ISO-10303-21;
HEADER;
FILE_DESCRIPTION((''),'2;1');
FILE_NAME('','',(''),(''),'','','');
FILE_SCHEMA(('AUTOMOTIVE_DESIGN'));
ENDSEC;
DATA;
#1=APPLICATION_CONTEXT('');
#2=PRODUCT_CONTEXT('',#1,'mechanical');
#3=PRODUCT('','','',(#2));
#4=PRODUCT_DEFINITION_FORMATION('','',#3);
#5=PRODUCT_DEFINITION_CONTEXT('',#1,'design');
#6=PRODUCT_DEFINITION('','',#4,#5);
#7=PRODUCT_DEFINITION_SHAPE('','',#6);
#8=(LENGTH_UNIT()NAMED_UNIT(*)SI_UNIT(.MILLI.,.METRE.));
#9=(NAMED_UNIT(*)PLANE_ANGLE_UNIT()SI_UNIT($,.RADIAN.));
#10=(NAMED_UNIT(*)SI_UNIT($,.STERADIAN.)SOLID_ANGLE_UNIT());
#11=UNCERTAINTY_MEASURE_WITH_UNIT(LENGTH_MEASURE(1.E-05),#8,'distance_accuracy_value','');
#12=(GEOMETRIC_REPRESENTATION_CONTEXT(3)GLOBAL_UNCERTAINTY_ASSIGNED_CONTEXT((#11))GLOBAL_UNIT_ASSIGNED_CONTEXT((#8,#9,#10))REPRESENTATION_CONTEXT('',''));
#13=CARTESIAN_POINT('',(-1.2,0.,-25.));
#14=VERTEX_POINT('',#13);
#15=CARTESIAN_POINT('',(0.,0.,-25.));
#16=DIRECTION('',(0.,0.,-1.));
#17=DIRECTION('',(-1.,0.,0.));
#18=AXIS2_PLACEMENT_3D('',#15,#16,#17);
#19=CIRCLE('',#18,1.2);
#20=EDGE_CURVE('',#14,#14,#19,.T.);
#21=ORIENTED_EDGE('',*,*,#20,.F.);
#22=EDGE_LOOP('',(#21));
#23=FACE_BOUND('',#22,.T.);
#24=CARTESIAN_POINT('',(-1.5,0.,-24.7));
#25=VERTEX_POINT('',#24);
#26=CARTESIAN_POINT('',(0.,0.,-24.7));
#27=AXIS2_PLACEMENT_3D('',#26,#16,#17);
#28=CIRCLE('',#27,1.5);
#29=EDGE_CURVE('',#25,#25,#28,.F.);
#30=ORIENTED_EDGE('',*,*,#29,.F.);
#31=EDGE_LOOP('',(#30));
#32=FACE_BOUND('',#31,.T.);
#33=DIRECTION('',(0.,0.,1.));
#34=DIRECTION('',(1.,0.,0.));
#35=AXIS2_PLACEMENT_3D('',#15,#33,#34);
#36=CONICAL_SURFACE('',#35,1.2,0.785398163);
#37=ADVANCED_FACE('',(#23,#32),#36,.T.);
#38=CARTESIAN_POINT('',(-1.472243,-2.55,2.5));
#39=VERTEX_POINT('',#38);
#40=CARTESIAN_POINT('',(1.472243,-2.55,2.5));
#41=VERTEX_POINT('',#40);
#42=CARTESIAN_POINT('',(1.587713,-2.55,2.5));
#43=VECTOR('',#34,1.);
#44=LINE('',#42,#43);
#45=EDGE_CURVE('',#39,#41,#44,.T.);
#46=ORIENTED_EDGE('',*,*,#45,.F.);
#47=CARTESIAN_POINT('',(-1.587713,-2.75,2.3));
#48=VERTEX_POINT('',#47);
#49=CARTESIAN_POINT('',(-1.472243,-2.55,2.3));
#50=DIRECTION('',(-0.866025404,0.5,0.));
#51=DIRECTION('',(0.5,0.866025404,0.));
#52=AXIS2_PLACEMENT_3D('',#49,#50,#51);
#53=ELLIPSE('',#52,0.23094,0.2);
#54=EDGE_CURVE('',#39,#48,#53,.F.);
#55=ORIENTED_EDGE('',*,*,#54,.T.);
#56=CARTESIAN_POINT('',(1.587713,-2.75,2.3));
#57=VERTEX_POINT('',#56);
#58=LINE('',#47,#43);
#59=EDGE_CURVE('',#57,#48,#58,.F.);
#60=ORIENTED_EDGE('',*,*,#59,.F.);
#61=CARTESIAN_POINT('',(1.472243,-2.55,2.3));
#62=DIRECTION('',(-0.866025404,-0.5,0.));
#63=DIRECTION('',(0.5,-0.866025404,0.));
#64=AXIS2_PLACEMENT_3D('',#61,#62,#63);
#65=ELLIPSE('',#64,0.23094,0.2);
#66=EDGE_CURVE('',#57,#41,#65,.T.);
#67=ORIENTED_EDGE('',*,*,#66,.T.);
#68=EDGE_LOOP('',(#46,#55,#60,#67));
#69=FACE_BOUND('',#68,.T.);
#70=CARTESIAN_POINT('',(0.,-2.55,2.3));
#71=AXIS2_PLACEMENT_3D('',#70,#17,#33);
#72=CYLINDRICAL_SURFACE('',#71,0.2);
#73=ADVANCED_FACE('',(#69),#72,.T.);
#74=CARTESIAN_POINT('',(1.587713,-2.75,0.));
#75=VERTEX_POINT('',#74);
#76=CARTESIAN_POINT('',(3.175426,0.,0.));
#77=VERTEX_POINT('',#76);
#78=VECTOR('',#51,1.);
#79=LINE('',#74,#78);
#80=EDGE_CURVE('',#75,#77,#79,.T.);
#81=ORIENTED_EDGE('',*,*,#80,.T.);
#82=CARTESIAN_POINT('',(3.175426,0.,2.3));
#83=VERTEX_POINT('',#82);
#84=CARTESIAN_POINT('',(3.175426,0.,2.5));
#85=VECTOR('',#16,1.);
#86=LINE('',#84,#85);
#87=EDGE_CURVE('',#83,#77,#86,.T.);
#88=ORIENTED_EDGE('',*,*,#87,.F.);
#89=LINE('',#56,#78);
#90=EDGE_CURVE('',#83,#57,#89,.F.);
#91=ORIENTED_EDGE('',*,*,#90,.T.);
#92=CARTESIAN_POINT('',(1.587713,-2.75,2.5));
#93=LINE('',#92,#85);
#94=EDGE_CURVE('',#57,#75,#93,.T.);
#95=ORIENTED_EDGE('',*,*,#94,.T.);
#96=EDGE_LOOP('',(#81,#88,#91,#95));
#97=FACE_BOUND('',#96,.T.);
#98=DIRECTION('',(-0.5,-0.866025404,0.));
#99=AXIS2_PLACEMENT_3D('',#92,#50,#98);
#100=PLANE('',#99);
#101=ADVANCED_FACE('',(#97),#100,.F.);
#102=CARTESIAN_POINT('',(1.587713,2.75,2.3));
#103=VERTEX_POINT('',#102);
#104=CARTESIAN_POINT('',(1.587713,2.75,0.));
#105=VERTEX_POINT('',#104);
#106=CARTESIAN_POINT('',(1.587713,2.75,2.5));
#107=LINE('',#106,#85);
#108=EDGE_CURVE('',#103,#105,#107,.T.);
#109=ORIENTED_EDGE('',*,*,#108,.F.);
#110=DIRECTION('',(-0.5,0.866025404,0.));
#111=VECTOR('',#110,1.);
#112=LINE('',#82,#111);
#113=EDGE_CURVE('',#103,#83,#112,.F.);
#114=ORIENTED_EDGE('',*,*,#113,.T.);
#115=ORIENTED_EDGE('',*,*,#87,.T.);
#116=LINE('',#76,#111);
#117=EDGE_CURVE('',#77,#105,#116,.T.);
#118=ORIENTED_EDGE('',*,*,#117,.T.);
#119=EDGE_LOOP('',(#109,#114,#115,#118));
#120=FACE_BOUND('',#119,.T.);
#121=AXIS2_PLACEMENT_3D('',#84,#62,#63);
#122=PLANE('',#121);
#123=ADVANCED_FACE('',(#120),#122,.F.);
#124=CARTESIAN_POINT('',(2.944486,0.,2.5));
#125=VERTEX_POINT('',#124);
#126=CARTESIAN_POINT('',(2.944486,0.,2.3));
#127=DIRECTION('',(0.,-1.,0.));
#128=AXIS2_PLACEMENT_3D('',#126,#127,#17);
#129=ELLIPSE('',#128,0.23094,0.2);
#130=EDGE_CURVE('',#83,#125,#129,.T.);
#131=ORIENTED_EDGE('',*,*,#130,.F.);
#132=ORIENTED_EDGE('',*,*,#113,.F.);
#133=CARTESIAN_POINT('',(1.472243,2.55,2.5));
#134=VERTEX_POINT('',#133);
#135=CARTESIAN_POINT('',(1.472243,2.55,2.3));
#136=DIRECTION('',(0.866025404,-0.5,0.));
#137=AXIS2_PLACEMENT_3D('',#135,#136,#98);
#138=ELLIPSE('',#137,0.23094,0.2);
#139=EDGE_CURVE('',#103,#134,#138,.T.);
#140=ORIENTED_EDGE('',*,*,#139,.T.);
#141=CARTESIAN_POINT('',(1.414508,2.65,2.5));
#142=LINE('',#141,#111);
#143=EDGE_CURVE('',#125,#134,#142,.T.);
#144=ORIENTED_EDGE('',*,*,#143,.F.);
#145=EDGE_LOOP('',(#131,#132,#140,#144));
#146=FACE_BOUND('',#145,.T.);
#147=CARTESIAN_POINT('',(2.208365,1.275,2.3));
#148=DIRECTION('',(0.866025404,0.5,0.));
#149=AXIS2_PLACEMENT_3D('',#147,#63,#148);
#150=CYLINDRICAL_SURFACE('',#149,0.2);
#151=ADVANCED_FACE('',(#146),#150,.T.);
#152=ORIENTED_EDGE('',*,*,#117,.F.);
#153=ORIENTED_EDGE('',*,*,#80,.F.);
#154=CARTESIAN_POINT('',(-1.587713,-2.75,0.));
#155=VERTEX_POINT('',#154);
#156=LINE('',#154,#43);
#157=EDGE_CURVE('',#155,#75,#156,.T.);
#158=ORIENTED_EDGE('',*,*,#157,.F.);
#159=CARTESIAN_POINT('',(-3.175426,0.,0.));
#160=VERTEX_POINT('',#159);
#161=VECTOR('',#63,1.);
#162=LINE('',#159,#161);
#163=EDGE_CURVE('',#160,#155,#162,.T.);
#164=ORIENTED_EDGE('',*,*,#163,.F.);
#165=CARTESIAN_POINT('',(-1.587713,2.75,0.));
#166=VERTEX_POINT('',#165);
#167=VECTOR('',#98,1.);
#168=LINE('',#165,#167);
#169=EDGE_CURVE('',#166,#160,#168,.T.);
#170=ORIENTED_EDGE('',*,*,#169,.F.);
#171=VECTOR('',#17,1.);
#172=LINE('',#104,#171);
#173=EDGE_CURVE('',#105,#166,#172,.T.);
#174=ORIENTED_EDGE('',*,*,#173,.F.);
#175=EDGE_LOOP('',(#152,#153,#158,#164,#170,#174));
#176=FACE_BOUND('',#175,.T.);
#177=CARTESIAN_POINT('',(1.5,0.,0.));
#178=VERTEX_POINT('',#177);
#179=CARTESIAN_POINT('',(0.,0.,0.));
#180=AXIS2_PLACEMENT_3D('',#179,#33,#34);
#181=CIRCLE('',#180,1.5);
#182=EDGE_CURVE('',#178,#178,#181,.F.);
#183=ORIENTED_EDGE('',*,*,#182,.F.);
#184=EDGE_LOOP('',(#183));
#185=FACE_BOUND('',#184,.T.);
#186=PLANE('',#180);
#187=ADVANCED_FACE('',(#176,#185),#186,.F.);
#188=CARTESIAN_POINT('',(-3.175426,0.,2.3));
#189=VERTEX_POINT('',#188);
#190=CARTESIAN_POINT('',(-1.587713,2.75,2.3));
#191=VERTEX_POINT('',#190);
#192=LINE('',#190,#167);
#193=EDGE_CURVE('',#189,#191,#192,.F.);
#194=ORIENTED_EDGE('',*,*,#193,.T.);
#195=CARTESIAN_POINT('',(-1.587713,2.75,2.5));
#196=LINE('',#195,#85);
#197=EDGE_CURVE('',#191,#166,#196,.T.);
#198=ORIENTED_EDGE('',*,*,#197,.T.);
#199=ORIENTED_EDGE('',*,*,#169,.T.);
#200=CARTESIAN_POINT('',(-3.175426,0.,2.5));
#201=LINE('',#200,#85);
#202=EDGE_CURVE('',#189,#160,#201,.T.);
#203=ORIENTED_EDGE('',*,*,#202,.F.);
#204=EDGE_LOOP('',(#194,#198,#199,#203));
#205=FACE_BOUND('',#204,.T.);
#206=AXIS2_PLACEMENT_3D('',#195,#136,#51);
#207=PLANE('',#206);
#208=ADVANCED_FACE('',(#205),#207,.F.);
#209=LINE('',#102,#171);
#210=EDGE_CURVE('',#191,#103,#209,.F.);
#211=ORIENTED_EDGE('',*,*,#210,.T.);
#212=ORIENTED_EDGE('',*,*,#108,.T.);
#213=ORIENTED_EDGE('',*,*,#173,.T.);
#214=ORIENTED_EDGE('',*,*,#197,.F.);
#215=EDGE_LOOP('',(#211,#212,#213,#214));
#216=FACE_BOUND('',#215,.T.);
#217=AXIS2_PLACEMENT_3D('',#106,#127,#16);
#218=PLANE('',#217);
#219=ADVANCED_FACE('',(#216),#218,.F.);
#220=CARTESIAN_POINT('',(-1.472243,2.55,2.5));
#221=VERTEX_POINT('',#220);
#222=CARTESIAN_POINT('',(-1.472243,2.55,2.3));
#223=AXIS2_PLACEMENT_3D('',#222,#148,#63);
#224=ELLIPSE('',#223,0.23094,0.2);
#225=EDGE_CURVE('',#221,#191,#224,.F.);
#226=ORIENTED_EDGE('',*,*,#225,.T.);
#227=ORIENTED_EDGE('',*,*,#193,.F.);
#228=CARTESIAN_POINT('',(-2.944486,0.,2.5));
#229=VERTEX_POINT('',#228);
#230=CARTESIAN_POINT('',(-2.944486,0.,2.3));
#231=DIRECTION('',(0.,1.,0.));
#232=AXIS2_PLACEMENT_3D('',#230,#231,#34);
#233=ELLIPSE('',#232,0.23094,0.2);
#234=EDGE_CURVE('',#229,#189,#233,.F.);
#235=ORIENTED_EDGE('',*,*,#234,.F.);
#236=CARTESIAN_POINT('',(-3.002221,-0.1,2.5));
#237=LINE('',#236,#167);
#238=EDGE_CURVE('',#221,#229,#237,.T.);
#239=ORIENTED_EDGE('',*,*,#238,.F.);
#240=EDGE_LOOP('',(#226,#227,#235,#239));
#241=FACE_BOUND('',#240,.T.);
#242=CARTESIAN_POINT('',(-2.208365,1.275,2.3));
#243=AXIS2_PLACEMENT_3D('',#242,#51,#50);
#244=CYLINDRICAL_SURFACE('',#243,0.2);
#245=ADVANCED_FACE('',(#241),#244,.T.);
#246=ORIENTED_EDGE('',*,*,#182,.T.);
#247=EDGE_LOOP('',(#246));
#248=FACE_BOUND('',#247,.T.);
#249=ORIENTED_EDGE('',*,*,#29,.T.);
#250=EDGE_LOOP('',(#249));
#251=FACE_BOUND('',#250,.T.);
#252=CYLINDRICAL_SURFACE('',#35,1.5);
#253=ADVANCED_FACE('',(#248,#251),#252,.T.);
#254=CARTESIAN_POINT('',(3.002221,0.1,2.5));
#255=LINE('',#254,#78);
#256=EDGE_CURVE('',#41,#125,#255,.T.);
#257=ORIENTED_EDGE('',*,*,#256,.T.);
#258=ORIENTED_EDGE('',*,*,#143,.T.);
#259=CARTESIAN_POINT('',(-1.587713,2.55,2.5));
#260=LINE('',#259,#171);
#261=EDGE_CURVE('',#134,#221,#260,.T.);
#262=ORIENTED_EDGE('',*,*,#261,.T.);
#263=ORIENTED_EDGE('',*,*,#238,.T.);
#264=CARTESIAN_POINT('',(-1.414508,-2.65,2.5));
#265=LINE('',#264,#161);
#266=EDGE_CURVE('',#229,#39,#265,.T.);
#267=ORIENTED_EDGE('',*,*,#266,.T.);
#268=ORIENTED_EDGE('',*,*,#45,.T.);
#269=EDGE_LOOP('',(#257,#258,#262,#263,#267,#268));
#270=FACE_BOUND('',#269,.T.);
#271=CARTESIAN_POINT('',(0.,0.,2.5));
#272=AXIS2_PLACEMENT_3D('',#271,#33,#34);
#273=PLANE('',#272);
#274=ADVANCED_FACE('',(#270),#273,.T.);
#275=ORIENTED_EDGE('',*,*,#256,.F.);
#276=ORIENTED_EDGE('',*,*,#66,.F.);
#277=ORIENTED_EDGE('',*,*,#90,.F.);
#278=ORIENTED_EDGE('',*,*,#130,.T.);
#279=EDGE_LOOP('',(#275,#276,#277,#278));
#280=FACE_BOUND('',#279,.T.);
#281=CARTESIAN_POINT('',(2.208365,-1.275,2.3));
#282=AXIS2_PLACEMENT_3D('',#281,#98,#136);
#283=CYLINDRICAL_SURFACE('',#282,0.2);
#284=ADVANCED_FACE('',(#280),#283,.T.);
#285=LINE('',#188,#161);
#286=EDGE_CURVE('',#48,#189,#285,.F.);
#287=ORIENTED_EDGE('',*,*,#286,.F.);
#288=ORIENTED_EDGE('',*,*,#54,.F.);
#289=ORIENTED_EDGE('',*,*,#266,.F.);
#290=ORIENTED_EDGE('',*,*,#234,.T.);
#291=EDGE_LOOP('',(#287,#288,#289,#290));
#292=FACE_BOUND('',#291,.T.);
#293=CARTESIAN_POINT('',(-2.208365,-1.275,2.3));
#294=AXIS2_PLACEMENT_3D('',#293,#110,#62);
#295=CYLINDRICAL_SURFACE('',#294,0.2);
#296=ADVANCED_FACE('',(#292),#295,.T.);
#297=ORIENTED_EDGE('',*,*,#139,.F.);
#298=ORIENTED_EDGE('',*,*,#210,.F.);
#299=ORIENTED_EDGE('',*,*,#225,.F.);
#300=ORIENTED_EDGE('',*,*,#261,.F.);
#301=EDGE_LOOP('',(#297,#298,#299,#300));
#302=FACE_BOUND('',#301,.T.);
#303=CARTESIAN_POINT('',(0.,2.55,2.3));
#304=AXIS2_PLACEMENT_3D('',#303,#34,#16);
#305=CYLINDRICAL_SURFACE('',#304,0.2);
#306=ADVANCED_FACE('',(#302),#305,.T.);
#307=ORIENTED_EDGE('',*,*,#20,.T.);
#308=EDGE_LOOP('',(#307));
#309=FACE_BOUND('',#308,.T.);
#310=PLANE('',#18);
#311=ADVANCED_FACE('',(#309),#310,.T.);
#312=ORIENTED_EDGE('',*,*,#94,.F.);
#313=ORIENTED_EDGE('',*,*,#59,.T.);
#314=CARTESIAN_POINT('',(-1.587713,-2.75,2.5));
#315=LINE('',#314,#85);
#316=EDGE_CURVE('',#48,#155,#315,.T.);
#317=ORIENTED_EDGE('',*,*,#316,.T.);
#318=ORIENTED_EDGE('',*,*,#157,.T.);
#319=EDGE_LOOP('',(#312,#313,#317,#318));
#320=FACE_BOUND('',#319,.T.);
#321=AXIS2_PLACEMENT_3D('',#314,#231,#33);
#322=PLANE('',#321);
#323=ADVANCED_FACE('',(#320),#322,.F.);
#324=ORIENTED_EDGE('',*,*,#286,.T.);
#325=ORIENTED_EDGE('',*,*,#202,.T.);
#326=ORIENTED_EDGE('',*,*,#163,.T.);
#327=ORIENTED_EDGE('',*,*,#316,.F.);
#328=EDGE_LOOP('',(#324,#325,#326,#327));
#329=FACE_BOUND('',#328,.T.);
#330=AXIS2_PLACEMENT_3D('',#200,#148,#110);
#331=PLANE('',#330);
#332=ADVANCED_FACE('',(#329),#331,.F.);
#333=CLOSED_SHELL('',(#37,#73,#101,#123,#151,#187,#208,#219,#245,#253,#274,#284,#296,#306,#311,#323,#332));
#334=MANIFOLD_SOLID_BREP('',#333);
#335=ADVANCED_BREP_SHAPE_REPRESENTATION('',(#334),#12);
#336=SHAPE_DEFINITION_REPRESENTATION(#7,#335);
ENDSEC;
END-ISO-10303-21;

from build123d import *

# Parameters (mm, degrees)
BOSS_EXTRUDE1_DEPTH = 2.5
SKETCH2_R           = 1.5
BOSS_EXTRUDE2_DEPTH = 25
CHAMFER1_SIZE       = 0.3
FILLET1_R           = 0.2


with BuildPart() as part:
    # Sketch1 → Boss-Extrude1 (new body)
    with BuildSketch(Plane.XY):
        Polygon((3.175426481, 0), (1.58771324, 2.75), (-1.58771324, 2.75), (-3.175426481, 0), (-1.58771324, -2.75), (1.58771324, -2.75), align=None)
    extrude(amount=BOSS_EXTRUDE1_DEPTH)

    # Sketch2 → Boss-Extrude2 (add)
    with BuildSketch(Plane(origin=(0, 0, 0), x_dir=(-1, 0, 0), z_dir=(0, 0, -1))):
        Circle(SKETCH2_R)
    extrude(amount=BOSS_EXTRUDE2_DEPTH)

    # Chamfer1
    chamfer1_edges = [part.edges().sort_by_distance(p)[0] for p in [
        (1.5, 0, -25),
    ]]
    chamfer(chamfer1_edges, length=CHAMFER1_SIZE)

    # Fillet1
    fillet1_edges = [part.edges().sort_by_distance(p)[0] for p in [
        (0, 2.75, 2.5),
        (-2.38156986, 1.375, 2.5),
        (-2.38156986, -1.375, 2.5),
        (0, -2.75, 2.5),
        (2.38156986, -1.375, 2.5),
        (2.38156986, 1.375, 2.5),
    ]]
    fillet(fillet1_edges, radius=FILLET1_R)


solid = part.part
